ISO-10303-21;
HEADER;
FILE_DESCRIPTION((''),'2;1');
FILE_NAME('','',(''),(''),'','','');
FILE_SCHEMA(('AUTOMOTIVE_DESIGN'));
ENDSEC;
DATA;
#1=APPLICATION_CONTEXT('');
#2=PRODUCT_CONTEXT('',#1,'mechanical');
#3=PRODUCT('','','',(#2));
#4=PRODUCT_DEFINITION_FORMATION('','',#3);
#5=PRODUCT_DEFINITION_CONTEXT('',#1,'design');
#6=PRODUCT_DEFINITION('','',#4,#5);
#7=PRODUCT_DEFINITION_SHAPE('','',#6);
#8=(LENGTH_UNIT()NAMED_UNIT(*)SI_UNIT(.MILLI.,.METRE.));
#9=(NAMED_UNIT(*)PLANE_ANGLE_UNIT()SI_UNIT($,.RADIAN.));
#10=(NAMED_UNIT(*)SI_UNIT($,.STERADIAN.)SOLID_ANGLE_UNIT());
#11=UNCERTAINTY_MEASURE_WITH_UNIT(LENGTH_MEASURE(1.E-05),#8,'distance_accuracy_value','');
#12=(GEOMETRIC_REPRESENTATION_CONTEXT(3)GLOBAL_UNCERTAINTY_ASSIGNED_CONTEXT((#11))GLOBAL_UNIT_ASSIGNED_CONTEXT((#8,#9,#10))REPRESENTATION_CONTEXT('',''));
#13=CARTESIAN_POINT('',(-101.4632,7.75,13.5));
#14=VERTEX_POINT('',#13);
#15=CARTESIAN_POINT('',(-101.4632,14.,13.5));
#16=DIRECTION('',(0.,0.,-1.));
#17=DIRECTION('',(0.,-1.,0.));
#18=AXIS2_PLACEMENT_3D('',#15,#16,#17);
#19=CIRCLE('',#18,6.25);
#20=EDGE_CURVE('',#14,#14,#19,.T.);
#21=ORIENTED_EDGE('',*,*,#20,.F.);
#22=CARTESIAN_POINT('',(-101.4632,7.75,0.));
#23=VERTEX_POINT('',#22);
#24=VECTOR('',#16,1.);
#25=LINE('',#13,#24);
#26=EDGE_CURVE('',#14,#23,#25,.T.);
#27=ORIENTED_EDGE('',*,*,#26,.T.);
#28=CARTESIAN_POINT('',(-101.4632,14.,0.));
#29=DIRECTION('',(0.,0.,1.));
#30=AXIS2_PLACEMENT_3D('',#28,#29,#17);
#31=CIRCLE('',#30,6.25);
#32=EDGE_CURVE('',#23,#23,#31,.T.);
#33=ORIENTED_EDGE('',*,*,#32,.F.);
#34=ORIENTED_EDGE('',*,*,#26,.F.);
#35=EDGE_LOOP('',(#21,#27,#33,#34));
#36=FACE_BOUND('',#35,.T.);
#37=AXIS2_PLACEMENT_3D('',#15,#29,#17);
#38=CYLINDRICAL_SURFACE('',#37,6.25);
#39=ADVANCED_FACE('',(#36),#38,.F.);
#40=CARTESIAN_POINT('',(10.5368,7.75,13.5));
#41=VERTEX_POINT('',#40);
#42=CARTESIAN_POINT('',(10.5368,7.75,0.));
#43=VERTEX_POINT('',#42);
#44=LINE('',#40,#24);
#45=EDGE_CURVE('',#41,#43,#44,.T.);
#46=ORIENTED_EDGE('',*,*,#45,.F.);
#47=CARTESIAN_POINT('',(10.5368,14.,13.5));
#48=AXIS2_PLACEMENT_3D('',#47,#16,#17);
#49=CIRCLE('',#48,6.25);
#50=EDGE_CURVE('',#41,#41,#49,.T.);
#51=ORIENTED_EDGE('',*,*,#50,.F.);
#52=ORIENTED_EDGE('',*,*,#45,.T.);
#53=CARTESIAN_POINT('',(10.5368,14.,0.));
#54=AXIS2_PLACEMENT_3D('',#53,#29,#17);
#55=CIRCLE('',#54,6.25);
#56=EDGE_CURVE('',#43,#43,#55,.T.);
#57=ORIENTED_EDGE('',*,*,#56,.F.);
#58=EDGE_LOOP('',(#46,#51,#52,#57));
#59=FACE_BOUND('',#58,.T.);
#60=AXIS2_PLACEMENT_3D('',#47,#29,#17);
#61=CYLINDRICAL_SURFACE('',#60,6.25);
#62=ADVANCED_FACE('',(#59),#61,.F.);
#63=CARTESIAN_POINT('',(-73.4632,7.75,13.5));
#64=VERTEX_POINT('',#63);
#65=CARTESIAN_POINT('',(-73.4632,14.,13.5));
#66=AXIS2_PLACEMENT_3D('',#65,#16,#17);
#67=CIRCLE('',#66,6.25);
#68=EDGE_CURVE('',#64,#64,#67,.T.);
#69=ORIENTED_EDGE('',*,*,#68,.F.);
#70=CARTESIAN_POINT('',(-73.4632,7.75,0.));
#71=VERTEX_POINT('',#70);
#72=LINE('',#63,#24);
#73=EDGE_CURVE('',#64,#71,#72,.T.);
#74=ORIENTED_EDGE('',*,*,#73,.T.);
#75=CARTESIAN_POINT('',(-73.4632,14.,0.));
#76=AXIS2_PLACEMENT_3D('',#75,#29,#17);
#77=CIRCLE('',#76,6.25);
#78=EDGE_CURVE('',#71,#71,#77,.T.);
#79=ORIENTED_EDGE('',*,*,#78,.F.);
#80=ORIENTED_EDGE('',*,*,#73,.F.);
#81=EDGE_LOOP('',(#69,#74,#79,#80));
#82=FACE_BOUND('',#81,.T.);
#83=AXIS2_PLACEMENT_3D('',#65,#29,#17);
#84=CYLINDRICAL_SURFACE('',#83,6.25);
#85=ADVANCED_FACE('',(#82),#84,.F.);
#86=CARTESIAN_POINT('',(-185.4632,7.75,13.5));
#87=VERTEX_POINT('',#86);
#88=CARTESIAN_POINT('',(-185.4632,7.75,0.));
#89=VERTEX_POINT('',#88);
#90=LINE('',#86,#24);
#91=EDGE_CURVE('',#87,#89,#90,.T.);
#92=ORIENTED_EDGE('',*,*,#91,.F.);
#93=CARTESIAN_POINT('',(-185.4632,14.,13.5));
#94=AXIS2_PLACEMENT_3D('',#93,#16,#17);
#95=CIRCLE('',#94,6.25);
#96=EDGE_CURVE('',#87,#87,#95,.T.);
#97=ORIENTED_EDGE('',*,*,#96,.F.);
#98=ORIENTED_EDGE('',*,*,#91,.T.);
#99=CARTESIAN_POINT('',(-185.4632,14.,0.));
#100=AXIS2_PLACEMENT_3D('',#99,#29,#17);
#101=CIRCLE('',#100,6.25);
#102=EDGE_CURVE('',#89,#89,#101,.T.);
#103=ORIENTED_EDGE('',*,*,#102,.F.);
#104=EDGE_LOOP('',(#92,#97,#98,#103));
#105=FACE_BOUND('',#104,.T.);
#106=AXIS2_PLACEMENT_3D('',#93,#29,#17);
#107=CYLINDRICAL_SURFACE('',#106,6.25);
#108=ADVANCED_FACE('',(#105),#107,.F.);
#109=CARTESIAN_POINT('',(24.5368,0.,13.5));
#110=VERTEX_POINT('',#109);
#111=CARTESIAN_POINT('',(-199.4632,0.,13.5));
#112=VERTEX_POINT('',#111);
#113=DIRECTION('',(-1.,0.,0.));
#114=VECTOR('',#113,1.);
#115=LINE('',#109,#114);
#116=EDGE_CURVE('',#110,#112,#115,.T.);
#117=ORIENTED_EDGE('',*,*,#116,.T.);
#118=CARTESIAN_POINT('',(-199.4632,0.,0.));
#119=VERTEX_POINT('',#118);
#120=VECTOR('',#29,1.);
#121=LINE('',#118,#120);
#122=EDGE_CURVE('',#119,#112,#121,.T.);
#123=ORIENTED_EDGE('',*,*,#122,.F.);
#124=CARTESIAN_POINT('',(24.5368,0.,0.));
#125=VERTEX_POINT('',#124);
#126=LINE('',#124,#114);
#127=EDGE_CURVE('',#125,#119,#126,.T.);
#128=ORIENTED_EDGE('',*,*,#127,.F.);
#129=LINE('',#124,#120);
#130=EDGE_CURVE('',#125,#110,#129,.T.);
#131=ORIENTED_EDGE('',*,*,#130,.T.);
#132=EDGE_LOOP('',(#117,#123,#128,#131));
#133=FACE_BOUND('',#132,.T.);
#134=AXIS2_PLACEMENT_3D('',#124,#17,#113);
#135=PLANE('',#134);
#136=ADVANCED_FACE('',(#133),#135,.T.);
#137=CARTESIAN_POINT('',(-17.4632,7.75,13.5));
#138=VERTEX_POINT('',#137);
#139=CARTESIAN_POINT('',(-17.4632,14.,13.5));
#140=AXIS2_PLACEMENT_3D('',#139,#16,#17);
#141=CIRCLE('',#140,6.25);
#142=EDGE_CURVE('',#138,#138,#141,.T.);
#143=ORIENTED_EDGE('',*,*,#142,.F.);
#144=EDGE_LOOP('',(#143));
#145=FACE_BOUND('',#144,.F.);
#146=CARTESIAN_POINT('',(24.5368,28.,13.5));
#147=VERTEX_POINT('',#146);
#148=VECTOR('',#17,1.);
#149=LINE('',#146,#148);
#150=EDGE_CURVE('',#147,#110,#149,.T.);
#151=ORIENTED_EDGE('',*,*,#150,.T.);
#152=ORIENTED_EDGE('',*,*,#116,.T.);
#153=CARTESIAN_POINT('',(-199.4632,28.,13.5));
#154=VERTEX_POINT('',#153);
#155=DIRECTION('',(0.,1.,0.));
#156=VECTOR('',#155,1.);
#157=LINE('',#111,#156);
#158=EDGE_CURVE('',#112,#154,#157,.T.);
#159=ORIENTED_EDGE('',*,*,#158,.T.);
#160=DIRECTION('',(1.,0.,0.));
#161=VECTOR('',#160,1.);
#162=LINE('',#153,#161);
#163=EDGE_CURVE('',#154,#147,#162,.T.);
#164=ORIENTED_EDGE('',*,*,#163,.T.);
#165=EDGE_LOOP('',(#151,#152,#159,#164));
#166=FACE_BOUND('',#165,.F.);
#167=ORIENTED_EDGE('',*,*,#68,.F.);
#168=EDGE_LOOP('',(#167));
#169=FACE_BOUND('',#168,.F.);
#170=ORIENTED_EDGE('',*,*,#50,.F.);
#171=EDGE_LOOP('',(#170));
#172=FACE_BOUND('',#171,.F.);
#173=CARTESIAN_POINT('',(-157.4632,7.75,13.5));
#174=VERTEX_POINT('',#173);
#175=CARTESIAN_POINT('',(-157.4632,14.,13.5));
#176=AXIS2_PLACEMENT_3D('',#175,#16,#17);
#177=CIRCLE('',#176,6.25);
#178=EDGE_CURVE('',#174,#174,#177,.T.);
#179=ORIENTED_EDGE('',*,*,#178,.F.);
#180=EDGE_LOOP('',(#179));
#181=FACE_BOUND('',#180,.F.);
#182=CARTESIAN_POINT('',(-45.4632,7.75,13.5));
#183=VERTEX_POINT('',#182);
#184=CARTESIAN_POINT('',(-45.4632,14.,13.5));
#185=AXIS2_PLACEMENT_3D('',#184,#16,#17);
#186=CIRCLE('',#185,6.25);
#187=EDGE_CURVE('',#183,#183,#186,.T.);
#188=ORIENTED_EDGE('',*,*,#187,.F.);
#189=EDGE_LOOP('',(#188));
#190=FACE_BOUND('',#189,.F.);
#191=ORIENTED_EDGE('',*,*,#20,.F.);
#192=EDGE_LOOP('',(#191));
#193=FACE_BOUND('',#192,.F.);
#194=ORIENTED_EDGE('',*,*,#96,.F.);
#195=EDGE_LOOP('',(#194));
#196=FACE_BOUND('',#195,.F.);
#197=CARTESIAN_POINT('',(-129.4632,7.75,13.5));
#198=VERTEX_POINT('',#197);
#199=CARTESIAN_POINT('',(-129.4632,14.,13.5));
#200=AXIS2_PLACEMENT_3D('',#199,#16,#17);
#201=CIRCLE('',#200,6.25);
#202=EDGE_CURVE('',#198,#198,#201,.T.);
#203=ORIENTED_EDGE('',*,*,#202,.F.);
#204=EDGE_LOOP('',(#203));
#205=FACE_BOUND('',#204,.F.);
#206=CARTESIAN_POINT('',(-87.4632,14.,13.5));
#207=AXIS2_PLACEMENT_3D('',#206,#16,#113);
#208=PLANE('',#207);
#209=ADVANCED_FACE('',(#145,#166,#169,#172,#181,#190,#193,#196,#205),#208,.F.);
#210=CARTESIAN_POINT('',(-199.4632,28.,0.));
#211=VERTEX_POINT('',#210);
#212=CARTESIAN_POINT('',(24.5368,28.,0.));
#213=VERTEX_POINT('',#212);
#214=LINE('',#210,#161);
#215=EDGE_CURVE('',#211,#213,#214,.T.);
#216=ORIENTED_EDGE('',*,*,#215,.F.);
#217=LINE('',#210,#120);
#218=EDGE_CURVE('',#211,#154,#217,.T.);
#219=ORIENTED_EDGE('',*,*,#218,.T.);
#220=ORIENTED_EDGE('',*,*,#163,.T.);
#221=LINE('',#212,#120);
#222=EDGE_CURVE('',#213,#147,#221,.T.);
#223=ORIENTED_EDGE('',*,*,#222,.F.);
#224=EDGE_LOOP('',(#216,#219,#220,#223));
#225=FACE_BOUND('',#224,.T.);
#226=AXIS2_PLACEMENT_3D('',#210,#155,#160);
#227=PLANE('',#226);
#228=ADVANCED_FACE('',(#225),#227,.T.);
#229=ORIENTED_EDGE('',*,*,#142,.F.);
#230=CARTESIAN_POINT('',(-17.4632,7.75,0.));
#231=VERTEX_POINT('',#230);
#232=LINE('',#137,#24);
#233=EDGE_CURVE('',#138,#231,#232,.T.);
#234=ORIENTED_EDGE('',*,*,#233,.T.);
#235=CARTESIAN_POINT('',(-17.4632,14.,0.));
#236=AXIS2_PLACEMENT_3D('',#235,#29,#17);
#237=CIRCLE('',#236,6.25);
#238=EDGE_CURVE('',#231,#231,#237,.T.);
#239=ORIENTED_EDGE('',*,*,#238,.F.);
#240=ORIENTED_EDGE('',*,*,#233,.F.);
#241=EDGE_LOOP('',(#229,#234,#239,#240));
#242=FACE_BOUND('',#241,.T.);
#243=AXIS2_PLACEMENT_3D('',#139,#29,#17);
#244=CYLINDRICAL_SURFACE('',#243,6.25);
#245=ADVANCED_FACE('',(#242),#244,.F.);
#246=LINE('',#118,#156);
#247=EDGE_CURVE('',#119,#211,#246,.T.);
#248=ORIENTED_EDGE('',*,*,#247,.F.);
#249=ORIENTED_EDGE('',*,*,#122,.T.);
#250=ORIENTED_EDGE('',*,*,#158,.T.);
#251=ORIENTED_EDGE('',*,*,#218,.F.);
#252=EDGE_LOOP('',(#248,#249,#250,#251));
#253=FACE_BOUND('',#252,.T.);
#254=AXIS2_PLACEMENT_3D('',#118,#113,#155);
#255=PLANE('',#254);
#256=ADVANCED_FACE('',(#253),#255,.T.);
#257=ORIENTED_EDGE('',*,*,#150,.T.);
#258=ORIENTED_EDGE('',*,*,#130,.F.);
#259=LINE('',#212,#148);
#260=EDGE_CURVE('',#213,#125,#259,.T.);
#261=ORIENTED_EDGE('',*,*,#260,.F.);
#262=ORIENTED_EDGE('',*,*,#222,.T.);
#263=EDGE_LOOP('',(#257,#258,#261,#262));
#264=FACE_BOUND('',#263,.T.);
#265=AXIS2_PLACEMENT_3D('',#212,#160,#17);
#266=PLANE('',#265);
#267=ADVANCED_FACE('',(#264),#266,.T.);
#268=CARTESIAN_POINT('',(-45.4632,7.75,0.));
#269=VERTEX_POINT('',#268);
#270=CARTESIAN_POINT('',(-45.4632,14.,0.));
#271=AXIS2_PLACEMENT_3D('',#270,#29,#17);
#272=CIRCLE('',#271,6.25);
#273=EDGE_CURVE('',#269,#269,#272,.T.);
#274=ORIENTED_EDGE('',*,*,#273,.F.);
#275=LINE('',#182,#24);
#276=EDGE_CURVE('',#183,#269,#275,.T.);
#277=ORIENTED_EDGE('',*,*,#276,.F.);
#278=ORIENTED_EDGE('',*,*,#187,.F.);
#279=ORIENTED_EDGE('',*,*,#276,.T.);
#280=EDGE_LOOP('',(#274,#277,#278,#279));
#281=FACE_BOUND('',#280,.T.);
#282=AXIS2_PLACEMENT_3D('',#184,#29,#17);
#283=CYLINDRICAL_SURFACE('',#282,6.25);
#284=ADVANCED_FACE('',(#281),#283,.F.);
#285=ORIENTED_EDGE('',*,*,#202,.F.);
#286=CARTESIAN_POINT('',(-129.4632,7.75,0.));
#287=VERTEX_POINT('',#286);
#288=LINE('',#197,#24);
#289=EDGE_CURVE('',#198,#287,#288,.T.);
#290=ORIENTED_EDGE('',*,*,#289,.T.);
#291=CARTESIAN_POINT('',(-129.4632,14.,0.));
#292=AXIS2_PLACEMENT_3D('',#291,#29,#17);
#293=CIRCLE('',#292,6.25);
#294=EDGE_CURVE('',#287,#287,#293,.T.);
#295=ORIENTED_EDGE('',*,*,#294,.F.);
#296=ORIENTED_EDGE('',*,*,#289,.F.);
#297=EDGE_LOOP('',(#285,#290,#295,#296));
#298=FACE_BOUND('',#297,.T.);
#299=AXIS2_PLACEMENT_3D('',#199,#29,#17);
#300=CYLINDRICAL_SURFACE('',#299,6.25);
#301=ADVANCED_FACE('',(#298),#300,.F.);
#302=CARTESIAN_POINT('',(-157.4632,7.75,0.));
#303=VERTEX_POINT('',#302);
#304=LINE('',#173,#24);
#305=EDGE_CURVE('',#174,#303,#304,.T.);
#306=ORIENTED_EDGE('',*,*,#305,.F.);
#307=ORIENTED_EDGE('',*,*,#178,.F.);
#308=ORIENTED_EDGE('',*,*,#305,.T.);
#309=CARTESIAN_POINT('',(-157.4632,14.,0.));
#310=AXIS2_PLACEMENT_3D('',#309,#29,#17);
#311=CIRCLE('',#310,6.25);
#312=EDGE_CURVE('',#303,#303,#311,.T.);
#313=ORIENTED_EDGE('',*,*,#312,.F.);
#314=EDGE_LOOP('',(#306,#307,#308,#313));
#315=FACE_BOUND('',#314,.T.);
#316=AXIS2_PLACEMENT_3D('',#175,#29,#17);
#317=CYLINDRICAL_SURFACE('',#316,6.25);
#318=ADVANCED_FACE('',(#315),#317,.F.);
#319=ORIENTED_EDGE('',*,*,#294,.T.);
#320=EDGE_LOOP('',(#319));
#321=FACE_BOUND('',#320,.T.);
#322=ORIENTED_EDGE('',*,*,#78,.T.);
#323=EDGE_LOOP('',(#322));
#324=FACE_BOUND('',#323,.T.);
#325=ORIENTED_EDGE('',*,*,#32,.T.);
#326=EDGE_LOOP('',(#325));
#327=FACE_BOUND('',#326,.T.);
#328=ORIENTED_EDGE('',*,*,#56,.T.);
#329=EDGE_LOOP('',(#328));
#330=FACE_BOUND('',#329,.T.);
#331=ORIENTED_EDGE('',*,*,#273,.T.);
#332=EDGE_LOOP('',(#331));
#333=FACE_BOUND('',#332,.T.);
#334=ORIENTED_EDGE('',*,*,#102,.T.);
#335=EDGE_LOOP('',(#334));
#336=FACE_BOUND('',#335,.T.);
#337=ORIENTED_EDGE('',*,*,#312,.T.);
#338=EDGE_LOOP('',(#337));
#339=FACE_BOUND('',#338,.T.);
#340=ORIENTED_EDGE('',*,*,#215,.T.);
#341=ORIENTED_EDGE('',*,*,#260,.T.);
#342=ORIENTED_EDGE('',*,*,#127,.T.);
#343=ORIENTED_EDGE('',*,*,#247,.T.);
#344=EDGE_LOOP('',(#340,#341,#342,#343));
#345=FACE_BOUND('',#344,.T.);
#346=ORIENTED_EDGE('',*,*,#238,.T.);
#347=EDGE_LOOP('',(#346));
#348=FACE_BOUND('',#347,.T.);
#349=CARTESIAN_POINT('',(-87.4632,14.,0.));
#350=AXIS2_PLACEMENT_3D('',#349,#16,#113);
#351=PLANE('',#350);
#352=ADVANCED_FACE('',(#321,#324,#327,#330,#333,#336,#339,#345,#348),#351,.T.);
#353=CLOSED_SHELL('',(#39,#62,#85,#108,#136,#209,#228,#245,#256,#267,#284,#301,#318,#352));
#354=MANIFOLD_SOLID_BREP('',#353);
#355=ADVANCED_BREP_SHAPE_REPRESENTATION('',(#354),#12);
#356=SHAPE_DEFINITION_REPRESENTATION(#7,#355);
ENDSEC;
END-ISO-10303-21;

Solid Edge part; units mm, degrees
sketch "Sketch1" plane through (0, 0, 0) normal (0, 0, 1) x (1, 0, 0)
  line L0 (-199.4632, 0) -> (-199.4632, 28)
  line L1 (-199.4632, 28) -> (24.5368, 28)
  line L2 (24.5368, 28) -> (24.5368, 0)
  line L3 (24.5368, 0) -> (-199.4632, 0)
  dimension "D1" = 28
  dimension "D2" = 224
extrude "Protrusion1" add sketch "Sketch1" along normal blind 13.5
hole "Hole_1" at (-157.4632, 14, 13.5) direction (0, 0, -1) diameter 12.5 end up to next
hole "Hole1" at (-129.4632, 14, 13.5) direction (0, 0, -1) diameter 12.5 end up to next
hole "Hole2" at (-101.4632, 14, 13.5) direction (0, 0, -1) diameter 12.5 end up to next
hole "Hole3" at (-73.4632, 14, 13.5) direction (0, 0, -1) diameter 12.5 end up to next
hole "Hole4" at (-45.4632, 14, 13.5) direction (0, 0, -1) diameter 12.5 end up to next
hole "Hole5" at (-17.4632, 14, 13.5) direction (0, 0, -1) diameter 12.5 end up to next
hole "Hole6" at (10.5368, 14, 13.5) direction (0, 0, -1) diameter 12.5 end up to next
hole "Hole7" at (-185.4632, 14, 13.5) direction (0, 0, -1) diameter 12.5 end up to next
